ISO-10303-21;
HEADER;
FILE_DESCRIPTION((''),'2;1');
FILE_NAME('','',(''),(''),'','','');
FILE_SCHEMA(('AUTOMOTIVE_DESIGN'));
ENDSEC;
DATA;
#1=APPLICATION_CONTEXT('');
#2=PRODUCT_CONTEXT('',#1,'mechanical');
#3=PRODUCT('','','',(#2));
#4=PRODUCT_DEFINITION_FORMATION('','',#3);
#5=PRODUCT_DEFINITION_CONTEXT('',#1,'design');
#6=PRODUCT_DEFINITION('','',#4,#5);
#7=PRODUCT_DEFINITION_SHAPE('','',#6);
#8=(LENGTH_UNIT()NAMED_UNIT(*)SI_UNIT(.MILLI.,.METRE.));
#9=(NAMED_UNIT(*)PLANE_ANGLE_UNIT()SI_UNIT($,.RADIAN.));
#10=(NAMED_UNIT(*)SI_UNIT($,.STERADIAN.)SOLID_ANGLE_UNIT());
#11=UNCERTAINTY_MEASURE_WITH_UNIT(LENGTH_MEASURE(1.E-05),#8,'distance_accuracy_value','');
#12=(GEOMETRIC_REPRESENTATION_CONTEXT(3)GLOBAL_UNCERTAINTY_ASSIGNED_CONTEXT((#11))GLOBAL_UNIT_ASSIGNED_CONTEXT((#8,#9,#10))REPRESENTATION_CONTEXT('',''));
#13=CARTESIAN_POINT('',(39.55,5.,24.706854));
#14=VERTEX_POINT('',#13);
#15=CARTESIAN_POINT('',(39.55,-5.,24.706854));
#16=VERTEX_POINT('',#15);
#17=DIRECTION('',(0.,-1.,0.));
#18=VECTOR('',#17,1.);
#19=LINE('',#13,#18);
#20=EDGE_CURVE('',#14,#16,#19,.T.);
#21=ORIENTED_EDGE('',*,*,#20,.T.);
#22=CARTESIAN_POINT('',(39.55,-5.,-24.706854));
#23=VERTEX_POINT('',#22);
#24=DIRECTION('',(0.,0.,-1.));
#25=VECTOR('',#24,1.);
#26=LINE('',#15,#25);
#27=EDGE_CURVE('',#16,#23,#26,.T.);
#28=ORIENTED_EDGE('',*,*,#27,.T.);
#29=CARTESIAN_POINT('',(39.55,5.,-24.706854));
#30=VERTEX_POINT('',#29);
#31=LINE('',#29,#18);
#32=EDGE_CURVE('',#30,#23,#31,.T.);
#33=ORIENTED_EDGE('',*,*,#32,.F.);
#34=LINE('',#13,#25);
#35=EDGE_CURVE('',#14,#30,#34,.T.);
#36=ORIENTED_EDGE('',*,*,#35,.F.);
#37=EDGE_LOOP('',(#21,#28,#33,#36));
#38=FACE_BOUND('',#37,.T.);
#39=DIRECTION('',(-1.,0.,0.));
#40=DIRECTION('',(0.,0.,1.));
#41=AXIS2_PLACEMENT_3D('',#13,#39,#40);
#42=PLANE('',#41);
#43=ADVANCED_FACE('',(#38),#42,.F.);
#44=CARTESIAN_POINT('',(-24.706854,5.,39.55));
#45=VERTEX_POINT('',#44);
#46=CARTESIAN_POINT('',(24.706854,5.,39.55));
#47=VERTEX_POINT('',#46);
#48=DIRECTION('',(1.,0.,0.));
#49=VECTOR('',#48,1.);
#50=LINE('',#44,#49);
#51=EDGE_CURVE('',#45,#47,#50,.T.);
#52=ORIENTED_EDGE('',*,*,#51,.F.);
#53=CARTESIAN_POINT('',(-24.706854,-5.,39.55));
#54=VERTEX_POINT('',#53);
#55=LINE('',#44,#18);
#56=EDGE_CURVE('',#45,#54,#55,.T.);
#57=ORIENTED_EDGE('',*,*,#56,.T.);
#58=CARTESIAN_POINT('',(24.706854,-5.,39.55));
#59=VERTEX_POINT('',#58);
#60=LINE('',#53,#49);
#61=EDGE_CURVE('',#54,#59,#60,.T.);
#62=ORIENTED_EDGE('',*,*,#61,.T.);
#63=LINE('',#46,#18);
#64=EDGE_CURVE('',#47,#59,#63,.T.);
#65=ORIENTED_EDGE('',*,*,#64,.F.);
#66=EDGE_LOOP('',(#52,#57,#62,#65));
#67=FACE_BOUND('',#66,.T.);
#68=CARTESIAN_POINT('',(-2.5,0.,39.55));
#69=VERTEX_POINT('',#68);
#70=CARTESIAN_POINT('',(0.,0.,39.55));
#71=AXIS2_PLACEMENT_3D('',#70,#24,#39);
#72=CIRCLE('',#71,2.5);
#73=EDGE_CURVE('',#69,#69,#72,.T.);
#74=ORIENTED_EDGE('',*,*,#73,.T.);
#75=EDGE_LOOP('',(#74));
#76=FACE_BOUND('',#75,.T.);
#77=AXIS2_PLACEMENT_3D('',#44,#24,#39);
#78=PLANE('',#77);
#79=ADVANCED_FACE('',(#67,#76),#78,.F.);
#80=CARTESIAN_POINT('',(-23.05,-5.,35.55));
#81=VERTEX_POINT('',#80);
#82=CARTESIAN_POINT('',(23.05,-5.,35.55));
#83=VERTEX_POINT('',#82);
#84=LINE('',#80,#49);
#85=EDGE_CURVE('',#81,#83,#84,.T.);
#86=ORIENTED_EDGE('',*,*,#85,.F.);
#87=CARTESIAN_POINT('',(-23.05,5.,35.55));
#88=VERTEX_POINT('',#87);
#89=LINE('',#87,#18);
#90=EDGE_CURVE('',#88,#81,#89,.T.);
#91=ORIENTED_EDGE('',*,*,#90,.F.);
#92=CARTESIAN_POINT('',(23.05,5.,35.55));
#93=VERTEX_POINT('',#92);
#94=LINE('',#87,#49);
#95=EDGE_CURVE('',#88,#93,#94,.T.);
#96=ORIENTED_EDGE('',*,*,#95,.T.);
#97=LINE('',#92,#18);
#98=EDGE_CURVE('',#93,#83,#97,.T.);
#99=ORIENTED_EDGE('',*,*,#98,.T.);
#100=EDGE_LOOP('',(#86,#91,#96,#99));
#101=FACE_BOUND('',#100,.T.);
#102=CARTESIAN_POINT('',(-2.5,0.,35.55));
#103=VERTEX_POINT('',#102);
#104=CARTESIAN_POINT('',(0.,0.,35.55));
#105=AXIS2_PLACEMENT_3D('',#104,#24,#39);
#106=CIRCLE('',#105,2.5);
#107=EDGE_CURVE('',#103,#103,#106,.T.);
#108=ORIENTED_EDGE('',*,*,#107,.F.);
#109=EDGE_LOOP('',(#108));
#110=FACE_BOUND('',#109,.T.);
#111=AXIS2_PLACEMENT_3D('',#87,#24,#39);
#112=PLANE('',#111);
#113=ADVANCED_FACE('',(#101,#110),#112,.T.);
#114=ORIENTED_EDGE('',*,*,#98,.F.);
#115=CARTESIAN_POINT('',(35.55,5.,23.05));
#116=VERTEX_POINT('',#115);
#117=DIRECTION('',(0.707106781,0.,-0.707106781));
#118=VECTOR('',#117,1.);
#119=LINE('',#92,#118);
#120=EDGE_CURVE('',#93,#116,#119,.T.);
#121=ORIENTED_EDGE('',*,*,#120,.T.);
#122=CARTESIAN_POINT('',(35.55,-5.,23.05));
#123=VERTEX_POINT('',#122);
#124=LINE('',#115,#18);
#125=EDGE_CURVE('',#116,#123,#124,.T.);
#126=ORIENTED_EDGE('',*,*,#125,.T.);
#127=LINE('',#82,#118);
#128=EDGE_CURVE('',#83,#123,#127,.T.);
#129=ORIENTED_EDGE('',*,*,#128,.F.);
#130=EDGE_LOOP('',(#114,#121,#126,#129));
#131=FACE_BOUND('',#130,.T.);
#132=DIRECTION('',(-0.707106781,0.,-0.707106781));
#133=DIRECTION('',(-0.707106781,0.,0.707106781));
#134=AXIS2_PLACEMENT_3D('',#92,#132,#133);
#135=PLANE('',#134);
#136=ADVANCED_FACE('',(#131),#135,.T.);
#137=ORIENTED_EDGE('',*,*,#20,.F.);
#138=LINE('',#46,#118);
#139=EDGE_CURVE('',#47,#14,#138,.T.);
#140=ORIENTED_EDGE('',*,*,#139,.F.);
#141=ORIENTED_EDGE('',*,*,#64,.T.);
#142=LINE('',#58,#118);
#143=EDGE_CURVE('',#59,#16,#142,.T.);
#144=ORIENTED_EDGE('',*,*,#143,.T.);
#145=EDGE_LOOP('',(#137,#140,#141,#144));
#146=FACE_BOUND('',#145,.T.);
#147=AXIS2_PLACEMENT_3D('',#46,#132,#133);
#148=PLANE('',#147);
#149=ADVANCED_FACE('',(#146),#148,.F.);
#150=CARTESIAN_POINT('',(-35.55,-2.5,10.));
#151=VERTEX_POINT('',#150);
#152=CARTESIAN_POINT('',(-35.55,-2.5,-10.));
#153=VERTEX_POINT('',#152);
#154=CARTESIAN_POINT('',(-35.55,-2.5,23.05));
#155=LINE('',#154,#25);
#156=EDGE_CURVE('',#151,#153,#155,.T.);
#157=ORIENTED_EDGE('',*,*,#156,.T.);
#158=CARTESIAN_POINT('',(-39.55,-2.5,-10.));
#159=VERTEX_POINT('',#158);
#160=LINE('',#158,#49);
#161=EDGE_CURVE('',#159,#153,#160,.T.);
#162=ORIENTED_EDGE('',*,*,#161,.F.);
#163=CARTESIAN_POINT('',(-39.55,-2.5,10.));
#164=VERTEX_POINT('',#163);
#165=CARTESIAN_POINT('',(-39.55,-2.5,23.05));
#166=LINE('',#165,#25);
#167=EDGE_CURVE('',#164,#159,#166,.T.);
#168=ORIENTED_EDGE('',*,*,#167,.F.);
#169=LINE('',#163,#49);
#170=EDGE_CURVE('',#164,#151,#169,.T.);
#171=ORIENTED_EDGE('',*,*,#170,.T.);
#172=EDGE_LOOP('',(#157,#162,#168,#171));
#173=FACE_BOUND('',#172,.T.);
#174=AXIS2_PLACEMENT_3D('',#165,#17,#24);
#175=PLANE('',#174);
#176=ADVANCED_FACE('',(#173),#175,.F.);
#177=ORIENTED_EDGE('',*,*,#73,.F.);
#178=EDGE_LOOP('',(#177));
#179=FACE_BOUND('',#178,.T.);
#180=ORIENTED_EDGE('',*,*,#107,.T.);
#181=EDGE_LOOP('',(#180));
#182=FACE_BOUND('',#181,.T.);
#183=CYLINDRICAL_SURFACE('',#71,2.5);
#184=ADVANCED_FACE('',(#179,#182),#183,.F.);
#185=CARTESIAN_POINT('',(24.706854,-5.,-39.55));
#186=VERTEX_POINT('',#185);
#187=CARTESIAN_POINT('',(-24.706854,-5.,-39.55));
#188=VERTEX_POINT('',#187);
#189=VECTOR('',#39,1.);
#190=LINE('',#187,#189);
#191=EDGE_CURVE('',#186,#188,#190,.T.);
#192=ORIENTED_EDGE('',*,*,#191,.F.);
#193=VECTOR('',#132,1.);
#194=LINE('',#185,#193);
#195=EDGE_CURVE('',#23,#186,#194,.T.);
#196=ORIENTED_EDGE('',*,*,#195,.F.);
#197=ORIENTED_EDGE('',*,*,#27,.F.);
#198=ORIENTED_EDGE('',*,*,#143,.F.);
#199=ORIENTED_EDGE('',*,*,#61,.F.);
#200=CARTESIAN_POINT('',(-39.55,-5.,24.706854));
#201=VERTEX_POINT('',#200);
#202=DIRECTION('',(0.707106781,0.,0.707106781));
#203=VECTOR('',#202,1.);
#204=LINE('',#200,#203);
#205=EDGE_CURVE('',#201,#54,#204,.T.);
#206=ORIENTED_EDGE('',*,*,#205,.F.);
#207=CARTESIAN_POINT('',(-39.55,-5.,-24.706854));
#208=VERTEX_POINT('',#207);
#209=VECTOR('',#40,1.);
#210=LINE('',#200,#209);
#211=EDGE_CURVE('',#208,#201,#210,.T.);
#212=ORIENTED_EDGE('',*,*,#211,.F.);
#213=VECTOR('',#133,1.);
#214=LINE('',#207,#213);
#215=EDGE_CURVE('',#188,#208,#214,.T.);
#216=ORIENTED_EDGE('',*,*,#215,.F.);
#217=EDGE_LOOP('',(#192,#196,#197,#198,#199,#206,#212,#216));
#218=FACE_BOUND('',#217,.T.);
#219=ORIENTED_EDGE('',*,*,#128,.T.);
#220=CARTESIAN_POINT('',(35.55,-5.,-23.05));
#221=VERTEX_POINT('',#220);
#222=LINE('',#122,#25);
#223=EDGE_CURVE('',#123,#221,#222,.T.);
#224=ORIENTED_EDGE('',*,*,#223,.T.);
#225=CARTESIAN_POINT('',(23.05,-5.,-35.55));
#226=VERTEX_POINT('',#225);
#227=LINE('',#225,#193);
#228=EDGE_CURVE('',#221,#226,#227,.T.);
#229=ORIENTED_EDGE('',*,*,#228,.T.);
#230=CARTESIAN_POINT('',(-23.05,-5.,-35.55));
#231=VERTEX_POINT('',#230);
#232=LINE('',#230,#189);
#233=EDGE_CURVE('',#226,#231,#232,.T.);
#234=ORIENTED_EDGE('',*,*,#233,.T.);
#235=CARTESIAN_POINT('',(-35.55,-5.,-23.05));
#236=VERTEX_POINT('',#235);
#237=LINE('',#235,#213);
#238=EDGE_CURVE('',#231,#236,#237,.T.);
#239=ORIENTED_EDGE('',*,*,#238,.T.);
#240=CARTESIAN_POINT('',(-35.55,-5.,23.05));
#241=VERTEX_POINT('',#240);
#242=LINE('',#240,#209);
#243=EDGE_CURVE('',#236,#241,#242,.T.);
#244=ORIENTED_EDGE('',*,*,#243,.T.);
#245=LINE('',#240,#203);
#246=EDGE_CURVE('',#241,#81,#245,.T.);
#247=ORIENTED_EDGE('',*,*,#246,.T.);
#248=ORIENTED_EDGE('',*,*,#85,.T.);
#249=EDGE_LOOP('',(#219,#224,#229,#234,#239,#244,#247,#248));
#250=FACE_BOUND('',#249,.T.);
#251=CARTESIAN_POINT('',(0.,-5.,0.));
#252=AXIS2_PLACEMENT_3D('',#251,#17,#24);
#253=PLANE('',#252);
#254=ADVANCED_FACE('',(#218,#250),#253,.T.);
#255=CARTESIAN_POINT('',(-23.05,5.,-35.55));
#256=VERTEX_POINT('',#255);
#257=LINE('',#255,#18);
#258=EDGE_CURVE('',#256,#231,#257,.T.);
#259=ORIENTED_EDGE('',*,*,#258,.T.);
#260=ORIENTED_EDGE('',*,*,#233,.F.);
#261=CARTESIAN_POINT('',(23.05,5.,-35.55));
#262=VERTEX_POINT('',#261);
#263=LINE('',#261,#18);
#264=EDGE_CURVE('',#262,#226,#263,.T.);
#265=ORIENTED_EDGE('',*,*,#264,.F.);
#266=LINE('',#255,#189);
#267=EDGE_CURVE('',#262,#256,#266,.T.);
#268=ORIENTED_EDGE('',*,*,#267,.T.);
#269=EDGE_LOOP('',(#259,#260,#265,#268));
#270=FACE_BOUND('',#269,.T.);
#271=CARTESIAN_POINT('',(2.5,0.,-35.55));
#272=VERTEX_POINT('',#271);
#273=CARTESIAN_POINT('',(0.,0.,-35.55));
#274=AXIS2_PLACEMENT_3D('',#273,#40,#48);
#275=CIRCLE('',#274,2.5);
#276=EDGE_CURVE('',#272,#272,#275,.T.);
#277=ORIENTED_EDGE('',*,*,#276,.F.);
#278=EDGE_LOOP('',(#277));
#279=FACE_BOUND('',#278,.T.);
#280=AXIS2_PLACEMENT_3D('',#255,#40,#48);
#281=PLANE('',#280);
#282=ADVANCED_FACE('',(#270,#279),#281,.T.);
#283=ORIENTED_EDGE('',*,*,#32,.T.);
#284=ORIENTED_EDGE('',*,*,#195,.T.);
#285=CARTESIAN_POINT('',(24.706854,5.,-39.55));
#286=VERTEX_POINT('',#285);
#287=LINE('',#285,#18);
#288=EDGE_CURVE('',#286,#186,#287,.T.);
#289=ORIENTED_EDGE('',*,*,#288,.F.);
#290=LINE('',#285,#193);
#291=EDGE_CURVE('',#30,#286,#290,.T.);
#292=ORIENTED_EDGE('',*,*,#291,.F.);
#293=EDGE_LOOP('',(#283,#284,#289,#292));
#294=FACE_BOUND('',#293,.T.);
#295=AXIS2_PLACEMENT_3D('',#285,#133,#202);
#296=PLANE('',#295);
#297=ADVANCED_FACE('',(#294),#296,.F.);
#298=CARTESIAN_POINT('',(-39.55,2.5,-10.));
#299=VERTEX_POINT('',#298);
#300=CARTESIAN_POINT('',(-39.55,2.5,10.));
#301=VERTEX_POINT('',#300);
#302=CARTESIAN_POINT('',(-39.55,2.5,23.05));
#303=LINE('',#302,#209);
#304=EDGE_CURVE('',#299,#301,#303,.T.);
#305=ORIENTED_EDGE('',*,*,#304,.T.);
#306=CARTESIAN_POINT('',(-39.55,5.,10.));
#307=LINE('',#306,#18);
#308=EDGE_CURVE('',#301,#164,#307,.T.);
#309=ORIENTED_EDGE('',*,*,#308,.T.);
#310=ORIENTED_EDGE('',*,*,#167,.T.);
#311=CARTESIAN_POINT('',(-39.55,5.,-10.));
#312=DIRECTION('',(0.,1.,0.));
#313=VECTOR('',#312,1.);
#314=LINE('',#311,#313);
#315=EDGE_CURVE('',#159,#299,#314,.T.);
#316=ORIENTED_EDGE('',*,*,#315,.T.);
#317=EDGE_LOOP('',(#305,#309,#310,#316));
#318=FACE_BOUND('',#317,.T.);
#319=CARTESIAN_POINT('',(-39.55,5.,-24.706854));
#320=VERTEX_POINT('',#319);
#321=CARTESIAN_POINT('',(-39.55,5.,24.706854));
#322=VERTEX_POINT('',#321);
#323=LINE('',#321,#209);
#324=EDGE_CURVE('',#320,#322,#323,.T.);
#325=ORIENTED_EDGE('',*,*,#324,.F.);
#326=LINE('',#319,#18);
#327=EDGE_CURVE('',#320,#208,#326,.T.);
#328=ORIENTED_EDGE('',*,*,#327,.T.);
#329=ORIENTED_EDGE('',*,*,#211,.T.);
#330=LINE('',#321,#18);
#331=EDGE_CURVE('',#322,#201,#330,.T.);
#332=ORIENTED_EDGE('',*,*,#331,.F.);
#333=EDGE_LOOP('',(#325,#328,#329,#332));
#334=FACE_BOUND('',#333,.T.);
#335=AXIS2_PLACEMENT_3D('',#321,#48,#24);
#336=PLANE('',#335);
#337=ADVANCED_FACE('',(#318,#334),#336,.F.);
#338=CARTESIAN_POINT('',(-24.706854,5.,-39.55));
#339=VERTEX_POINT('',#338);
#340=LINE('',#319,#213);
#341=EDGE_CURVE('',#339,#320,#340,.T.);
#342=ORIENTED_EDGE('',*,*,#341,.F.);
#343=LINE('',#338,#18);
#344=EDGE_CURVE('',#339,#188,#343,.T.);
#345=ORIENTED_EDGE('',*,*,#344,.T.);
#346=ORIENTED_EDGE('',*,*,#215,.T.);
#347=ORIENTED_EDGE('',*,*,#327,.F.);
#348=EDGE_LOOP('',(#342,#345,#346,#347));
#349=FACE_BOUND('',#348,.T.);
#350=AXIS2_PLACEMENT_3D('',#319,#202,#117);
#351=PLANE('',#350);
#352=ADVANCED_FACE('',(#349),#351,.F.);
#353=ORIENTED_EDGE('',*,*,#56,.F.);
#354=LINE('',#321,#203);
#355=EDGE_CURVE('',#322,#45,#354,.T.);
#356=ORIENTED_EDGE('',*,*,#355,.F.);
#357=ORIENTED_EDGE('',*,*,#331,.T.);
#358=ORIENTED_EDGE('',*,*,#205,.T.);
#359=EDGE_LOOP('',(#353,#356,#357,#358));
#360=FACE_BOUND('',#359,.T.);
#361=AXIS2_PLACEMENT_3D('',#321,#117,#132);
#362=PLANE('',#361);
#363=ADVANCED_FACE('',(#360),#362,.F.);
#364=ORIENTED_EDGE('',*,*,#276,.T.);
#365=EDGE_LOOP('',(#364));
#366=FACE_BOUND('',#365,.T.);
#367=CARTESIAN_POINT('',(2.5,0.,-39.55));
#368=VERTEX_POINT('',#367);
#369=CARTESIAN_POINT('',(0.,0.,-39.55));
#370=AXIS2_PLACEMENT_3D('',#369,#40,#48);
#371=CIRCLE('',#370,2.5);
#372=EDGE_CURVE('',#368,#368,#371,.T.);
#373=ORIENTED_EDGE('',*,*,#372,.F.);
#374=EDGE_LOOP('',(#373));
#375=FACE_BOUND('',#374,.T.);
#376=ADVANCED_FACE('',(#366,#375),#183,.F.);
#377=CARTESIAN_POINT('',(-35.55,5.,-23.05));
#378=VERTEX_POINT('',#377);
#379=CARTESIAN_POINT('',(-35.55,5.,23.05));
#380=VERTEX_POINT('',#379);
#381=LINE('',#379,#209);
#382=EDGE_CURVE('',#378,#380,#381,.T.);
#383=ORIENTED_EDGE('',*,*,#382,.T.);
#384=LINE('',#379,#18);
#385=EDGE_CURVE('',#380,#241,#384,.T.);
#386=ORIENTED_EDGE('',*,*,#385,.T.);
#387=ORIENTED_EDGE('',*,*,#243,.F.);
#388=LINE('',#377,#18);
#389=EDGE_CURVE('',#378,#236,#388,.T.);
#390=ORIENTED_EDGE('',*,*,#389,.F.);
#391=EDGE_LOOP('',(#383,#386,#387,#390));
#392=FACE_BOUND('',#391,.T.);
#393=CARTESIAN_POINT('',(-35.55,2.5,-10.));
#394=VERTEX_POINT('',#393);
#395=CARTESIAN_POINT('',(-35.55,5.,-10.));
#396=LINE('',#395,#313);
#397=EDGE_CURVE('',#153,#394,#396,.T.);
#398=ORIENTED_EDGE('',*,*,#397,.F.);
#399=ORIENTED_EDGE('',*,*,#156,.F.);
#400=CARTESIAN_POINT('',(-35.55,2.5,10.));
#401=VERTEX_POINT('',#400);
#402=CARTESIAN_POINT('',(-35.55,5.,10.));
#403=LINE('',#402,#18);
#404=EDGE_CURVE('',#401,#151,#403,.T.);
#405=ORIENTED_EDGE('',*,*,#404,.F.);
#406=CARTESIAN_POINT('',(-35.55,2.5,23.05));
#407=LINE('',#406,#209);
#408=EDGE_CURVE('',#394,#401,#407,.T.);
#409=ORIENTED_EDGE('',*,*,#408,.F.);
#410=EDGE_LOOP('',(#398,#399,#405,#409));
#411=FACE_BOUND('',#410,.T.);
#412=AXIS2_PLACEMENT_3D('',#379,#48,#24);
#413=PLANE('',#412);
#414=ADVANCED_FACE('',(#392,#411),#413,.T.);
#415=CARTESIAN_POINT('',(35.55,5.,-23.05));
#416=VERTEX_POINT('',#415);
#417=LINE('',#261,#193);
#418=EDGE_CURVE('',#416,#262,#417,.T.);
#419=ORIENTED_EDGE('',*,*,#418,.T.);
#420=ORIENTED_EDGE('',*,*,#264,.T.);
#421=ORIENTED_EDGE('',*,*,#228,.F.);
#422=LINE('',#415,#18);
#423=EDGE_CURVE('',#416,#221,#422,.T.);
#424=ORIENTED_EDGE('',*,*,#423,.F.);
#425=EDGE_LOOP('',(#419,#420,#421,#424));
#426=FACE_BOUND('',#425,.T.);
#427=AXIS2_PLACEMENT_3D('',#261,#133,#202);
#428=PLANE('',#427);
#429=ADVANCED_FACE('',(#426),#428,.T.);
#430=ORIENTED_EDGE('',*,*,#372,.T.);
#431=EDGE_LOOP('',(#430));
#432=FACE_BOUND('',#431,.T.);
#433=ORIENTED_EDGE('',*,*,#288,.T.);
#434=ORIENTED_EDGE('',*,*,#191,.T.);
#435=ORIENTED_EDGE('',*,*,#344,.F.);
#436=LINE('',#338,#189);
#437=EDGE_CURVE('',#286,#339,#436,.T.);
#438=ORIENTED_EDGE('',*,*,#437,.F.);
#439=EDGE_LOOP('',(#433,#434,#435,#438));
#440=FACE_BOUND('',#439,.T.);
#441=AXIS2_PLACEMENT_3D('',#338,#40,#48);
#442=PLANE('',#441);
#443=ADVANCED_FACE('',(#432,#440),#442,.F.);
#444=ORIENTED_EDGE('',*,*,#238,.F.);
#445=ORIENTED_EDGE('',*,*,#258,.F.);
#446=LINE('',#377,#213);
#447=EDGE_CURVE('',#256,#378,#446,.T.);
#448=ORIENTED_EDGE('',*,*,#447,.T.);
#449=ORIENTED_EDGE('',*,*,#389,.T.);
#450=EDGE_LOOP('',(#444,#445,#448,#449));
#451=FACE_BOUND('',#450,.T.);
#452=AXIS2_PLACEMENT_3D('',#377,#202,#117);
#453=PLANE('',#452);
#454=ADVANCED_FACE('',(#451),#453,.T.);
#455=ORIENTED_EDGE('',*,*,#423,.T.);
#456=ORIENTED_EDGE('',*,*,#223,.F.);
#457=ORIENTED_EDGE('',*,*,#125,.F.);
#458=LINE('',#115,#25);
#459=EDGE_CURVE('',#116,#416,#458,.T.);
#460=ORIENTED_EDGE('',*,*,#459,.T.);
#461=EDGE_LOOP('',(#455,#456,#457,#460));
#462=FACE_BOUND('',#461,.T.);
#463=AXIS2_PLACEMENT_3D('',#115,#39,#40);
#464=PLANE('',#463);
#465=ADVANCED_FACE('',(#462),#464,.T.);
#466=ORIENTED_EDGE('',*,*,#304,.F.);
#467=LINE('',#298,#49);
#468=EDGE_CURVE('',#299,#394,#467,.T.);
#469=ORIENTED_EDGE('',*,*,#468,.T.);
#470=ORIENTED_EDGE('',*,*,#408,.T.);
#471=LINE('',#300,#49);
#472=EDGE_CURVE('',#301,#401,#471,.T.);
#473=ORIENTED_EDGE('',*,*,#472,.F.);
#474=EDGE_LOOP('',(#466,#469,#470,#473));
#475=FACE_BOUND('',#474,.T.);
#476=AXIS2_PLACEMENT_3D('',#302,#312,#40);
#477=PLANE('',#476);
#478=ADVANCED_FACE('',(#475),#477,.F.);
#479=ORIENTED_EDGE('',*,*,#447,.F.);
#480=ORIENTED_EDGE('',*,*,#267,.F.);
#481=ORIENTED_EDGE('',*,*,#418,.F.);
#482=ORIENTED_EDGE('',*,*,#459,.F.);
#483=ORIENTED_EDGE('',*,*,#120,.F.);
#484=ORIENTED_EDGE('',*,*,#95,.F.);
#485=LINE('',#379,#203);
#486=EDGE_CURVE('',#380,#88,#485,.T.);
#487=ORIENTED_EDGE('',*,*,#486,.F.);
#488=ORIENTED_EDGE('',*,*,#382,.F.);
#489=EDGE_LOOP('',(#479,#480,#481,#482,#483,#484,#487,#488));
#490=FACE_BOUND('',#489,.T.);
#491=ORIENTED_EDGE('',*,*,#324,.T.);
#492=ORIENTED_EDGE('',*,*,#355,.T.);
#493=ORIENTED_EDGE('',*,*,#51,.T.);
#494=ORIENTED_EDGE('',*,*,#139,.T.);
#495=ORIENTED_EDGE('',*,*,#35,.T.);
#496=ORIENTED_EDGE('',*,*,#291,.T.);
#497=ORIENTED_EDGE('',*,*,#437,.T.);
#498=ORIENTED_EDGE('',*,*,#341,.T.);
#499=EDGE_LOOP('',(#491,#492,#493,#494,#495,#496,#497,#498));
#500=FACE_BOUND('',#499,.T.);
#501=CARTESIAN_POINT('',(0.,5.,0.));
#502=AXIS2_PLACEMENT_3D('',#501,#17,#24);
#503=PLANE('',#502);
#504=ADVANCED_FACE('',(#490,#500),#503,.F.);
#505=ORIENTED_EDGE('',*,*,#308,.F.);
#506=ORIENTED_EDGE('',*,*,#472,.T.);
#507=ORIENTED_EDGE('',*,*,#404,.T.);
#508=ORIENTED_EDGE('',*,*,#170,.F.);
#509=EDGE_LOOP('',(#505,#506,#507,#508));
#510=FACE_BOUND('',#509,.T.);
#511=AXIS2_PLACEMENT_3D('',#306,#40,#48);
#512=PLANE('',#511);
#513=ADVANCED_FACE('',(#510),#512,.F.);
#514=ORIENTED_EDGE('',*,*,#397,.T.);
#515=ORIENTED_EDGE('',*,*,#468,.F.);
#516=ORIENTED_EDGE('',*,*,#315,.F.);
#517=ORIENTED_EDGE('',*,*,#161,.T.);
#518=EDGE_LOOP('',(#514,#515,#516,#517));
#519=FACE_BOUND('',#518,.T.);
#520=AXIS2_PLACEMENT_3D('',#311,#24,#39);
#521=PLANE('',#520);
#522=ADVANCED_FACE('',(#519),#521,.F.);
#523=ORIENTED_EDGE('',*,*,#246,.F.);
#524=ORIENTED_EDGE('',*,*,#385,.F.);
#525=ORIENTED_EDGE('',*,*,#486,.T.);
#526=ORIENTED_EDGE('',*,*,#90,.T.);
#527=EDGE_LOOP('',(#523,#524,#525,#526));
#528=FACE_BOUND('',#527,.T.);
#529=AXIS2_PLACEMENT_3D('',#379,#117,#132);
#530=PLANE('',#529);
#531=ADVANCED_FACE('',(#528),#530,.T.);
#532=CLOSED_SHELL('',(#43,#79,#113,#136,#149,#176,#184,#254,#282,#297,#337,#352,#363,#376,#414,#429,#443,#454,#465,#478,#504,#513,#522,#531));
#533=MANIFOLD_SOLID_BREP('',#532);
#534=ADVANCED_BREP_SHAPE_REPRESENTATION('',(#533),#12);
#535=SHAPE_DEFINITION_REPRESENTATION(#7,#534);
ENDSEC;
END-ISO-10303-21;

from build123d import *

# Parameters (mm, degrees)
BOSS_EXTRUDE1_DEPTH     = 5
CUT_EXTRUDE2_START      = -75.1
SKETCH3_W               = 20
SKETCH3_H               = 5
CUT_EXTRUDE2_DEPTH      = 14.477720111
CUT_EXTRUDE3_DEPTH      = 89.577720111
CUT_EXTRUDE3_DEPTH_BACK = 89.577720111
SKETCH4_R               = 2.5


with BuildPart() as part:
    # Sketch1 → Boss-Extrude1 (new, symmetric)
    with BuildSketch(Plane(origin=(0, 0, 0), x_dir=(1, 0, 0), z_dir=(0, 1, 0))):
        Polygon((-24.706854249, 39.55), (24.706854249, 39.55), (39.55, 24.706854249), (39.55, -24.706854249), (24.706854249, -39.55), (-24.706854249, -39.55), (-39.55, -24.706854249), (-39.55, 24.706854249), align=None)
        Polygon((-35.55, 23.05), (-23.05, 35.55), (23.05, 35.55), (35.55, 23.05), (35.55, -23.05), (23.05, -35.55), (-23.05, -35.55), (-35.55, -23.05), align=None, mode=Mode.SUBTRACT)
    extrude(amount=BOSS_EXTRUDE1_DEPTH, both=True)

    # Sketch3 → Cut-Extrude2 (cut, through all)
    with BuildSketch(Plane(origin=(39.55, 0, 0), x_dir=(0, 0, -1), z_dir=(1, 0, 0)).offset(CUT_EXTRUDE2_START)):
        Rectangle(SKETCH3_W, SKETCH3_H)
    extrude(amount=-CUT_EXTRUDE2_DEPTH, mode=Mode.SUBTRACT)

    # Sketch4 → Cut-Extrude3 (cut, two sides: drawn at the far end of the back side and taken through both)
    with BuildSketch(Plane(origin=(0, 0, -39.55), x_dir=(-1, 0, 0), z_dir=(0, 0, -1)).offset(-CUT_EXTRUDE3_DEPTH_BACK)):
        with Locations(Location((0, 0, 0), (0, 0, 180))):
            Circle(SKETCH4_R)
    extrude(amount=CUT_EXTRUDE3_DEPTH + CUT_EXTRUDE3_DEPTH_BACK, mode=Mode.SUBTRACT)


solid = part.part
